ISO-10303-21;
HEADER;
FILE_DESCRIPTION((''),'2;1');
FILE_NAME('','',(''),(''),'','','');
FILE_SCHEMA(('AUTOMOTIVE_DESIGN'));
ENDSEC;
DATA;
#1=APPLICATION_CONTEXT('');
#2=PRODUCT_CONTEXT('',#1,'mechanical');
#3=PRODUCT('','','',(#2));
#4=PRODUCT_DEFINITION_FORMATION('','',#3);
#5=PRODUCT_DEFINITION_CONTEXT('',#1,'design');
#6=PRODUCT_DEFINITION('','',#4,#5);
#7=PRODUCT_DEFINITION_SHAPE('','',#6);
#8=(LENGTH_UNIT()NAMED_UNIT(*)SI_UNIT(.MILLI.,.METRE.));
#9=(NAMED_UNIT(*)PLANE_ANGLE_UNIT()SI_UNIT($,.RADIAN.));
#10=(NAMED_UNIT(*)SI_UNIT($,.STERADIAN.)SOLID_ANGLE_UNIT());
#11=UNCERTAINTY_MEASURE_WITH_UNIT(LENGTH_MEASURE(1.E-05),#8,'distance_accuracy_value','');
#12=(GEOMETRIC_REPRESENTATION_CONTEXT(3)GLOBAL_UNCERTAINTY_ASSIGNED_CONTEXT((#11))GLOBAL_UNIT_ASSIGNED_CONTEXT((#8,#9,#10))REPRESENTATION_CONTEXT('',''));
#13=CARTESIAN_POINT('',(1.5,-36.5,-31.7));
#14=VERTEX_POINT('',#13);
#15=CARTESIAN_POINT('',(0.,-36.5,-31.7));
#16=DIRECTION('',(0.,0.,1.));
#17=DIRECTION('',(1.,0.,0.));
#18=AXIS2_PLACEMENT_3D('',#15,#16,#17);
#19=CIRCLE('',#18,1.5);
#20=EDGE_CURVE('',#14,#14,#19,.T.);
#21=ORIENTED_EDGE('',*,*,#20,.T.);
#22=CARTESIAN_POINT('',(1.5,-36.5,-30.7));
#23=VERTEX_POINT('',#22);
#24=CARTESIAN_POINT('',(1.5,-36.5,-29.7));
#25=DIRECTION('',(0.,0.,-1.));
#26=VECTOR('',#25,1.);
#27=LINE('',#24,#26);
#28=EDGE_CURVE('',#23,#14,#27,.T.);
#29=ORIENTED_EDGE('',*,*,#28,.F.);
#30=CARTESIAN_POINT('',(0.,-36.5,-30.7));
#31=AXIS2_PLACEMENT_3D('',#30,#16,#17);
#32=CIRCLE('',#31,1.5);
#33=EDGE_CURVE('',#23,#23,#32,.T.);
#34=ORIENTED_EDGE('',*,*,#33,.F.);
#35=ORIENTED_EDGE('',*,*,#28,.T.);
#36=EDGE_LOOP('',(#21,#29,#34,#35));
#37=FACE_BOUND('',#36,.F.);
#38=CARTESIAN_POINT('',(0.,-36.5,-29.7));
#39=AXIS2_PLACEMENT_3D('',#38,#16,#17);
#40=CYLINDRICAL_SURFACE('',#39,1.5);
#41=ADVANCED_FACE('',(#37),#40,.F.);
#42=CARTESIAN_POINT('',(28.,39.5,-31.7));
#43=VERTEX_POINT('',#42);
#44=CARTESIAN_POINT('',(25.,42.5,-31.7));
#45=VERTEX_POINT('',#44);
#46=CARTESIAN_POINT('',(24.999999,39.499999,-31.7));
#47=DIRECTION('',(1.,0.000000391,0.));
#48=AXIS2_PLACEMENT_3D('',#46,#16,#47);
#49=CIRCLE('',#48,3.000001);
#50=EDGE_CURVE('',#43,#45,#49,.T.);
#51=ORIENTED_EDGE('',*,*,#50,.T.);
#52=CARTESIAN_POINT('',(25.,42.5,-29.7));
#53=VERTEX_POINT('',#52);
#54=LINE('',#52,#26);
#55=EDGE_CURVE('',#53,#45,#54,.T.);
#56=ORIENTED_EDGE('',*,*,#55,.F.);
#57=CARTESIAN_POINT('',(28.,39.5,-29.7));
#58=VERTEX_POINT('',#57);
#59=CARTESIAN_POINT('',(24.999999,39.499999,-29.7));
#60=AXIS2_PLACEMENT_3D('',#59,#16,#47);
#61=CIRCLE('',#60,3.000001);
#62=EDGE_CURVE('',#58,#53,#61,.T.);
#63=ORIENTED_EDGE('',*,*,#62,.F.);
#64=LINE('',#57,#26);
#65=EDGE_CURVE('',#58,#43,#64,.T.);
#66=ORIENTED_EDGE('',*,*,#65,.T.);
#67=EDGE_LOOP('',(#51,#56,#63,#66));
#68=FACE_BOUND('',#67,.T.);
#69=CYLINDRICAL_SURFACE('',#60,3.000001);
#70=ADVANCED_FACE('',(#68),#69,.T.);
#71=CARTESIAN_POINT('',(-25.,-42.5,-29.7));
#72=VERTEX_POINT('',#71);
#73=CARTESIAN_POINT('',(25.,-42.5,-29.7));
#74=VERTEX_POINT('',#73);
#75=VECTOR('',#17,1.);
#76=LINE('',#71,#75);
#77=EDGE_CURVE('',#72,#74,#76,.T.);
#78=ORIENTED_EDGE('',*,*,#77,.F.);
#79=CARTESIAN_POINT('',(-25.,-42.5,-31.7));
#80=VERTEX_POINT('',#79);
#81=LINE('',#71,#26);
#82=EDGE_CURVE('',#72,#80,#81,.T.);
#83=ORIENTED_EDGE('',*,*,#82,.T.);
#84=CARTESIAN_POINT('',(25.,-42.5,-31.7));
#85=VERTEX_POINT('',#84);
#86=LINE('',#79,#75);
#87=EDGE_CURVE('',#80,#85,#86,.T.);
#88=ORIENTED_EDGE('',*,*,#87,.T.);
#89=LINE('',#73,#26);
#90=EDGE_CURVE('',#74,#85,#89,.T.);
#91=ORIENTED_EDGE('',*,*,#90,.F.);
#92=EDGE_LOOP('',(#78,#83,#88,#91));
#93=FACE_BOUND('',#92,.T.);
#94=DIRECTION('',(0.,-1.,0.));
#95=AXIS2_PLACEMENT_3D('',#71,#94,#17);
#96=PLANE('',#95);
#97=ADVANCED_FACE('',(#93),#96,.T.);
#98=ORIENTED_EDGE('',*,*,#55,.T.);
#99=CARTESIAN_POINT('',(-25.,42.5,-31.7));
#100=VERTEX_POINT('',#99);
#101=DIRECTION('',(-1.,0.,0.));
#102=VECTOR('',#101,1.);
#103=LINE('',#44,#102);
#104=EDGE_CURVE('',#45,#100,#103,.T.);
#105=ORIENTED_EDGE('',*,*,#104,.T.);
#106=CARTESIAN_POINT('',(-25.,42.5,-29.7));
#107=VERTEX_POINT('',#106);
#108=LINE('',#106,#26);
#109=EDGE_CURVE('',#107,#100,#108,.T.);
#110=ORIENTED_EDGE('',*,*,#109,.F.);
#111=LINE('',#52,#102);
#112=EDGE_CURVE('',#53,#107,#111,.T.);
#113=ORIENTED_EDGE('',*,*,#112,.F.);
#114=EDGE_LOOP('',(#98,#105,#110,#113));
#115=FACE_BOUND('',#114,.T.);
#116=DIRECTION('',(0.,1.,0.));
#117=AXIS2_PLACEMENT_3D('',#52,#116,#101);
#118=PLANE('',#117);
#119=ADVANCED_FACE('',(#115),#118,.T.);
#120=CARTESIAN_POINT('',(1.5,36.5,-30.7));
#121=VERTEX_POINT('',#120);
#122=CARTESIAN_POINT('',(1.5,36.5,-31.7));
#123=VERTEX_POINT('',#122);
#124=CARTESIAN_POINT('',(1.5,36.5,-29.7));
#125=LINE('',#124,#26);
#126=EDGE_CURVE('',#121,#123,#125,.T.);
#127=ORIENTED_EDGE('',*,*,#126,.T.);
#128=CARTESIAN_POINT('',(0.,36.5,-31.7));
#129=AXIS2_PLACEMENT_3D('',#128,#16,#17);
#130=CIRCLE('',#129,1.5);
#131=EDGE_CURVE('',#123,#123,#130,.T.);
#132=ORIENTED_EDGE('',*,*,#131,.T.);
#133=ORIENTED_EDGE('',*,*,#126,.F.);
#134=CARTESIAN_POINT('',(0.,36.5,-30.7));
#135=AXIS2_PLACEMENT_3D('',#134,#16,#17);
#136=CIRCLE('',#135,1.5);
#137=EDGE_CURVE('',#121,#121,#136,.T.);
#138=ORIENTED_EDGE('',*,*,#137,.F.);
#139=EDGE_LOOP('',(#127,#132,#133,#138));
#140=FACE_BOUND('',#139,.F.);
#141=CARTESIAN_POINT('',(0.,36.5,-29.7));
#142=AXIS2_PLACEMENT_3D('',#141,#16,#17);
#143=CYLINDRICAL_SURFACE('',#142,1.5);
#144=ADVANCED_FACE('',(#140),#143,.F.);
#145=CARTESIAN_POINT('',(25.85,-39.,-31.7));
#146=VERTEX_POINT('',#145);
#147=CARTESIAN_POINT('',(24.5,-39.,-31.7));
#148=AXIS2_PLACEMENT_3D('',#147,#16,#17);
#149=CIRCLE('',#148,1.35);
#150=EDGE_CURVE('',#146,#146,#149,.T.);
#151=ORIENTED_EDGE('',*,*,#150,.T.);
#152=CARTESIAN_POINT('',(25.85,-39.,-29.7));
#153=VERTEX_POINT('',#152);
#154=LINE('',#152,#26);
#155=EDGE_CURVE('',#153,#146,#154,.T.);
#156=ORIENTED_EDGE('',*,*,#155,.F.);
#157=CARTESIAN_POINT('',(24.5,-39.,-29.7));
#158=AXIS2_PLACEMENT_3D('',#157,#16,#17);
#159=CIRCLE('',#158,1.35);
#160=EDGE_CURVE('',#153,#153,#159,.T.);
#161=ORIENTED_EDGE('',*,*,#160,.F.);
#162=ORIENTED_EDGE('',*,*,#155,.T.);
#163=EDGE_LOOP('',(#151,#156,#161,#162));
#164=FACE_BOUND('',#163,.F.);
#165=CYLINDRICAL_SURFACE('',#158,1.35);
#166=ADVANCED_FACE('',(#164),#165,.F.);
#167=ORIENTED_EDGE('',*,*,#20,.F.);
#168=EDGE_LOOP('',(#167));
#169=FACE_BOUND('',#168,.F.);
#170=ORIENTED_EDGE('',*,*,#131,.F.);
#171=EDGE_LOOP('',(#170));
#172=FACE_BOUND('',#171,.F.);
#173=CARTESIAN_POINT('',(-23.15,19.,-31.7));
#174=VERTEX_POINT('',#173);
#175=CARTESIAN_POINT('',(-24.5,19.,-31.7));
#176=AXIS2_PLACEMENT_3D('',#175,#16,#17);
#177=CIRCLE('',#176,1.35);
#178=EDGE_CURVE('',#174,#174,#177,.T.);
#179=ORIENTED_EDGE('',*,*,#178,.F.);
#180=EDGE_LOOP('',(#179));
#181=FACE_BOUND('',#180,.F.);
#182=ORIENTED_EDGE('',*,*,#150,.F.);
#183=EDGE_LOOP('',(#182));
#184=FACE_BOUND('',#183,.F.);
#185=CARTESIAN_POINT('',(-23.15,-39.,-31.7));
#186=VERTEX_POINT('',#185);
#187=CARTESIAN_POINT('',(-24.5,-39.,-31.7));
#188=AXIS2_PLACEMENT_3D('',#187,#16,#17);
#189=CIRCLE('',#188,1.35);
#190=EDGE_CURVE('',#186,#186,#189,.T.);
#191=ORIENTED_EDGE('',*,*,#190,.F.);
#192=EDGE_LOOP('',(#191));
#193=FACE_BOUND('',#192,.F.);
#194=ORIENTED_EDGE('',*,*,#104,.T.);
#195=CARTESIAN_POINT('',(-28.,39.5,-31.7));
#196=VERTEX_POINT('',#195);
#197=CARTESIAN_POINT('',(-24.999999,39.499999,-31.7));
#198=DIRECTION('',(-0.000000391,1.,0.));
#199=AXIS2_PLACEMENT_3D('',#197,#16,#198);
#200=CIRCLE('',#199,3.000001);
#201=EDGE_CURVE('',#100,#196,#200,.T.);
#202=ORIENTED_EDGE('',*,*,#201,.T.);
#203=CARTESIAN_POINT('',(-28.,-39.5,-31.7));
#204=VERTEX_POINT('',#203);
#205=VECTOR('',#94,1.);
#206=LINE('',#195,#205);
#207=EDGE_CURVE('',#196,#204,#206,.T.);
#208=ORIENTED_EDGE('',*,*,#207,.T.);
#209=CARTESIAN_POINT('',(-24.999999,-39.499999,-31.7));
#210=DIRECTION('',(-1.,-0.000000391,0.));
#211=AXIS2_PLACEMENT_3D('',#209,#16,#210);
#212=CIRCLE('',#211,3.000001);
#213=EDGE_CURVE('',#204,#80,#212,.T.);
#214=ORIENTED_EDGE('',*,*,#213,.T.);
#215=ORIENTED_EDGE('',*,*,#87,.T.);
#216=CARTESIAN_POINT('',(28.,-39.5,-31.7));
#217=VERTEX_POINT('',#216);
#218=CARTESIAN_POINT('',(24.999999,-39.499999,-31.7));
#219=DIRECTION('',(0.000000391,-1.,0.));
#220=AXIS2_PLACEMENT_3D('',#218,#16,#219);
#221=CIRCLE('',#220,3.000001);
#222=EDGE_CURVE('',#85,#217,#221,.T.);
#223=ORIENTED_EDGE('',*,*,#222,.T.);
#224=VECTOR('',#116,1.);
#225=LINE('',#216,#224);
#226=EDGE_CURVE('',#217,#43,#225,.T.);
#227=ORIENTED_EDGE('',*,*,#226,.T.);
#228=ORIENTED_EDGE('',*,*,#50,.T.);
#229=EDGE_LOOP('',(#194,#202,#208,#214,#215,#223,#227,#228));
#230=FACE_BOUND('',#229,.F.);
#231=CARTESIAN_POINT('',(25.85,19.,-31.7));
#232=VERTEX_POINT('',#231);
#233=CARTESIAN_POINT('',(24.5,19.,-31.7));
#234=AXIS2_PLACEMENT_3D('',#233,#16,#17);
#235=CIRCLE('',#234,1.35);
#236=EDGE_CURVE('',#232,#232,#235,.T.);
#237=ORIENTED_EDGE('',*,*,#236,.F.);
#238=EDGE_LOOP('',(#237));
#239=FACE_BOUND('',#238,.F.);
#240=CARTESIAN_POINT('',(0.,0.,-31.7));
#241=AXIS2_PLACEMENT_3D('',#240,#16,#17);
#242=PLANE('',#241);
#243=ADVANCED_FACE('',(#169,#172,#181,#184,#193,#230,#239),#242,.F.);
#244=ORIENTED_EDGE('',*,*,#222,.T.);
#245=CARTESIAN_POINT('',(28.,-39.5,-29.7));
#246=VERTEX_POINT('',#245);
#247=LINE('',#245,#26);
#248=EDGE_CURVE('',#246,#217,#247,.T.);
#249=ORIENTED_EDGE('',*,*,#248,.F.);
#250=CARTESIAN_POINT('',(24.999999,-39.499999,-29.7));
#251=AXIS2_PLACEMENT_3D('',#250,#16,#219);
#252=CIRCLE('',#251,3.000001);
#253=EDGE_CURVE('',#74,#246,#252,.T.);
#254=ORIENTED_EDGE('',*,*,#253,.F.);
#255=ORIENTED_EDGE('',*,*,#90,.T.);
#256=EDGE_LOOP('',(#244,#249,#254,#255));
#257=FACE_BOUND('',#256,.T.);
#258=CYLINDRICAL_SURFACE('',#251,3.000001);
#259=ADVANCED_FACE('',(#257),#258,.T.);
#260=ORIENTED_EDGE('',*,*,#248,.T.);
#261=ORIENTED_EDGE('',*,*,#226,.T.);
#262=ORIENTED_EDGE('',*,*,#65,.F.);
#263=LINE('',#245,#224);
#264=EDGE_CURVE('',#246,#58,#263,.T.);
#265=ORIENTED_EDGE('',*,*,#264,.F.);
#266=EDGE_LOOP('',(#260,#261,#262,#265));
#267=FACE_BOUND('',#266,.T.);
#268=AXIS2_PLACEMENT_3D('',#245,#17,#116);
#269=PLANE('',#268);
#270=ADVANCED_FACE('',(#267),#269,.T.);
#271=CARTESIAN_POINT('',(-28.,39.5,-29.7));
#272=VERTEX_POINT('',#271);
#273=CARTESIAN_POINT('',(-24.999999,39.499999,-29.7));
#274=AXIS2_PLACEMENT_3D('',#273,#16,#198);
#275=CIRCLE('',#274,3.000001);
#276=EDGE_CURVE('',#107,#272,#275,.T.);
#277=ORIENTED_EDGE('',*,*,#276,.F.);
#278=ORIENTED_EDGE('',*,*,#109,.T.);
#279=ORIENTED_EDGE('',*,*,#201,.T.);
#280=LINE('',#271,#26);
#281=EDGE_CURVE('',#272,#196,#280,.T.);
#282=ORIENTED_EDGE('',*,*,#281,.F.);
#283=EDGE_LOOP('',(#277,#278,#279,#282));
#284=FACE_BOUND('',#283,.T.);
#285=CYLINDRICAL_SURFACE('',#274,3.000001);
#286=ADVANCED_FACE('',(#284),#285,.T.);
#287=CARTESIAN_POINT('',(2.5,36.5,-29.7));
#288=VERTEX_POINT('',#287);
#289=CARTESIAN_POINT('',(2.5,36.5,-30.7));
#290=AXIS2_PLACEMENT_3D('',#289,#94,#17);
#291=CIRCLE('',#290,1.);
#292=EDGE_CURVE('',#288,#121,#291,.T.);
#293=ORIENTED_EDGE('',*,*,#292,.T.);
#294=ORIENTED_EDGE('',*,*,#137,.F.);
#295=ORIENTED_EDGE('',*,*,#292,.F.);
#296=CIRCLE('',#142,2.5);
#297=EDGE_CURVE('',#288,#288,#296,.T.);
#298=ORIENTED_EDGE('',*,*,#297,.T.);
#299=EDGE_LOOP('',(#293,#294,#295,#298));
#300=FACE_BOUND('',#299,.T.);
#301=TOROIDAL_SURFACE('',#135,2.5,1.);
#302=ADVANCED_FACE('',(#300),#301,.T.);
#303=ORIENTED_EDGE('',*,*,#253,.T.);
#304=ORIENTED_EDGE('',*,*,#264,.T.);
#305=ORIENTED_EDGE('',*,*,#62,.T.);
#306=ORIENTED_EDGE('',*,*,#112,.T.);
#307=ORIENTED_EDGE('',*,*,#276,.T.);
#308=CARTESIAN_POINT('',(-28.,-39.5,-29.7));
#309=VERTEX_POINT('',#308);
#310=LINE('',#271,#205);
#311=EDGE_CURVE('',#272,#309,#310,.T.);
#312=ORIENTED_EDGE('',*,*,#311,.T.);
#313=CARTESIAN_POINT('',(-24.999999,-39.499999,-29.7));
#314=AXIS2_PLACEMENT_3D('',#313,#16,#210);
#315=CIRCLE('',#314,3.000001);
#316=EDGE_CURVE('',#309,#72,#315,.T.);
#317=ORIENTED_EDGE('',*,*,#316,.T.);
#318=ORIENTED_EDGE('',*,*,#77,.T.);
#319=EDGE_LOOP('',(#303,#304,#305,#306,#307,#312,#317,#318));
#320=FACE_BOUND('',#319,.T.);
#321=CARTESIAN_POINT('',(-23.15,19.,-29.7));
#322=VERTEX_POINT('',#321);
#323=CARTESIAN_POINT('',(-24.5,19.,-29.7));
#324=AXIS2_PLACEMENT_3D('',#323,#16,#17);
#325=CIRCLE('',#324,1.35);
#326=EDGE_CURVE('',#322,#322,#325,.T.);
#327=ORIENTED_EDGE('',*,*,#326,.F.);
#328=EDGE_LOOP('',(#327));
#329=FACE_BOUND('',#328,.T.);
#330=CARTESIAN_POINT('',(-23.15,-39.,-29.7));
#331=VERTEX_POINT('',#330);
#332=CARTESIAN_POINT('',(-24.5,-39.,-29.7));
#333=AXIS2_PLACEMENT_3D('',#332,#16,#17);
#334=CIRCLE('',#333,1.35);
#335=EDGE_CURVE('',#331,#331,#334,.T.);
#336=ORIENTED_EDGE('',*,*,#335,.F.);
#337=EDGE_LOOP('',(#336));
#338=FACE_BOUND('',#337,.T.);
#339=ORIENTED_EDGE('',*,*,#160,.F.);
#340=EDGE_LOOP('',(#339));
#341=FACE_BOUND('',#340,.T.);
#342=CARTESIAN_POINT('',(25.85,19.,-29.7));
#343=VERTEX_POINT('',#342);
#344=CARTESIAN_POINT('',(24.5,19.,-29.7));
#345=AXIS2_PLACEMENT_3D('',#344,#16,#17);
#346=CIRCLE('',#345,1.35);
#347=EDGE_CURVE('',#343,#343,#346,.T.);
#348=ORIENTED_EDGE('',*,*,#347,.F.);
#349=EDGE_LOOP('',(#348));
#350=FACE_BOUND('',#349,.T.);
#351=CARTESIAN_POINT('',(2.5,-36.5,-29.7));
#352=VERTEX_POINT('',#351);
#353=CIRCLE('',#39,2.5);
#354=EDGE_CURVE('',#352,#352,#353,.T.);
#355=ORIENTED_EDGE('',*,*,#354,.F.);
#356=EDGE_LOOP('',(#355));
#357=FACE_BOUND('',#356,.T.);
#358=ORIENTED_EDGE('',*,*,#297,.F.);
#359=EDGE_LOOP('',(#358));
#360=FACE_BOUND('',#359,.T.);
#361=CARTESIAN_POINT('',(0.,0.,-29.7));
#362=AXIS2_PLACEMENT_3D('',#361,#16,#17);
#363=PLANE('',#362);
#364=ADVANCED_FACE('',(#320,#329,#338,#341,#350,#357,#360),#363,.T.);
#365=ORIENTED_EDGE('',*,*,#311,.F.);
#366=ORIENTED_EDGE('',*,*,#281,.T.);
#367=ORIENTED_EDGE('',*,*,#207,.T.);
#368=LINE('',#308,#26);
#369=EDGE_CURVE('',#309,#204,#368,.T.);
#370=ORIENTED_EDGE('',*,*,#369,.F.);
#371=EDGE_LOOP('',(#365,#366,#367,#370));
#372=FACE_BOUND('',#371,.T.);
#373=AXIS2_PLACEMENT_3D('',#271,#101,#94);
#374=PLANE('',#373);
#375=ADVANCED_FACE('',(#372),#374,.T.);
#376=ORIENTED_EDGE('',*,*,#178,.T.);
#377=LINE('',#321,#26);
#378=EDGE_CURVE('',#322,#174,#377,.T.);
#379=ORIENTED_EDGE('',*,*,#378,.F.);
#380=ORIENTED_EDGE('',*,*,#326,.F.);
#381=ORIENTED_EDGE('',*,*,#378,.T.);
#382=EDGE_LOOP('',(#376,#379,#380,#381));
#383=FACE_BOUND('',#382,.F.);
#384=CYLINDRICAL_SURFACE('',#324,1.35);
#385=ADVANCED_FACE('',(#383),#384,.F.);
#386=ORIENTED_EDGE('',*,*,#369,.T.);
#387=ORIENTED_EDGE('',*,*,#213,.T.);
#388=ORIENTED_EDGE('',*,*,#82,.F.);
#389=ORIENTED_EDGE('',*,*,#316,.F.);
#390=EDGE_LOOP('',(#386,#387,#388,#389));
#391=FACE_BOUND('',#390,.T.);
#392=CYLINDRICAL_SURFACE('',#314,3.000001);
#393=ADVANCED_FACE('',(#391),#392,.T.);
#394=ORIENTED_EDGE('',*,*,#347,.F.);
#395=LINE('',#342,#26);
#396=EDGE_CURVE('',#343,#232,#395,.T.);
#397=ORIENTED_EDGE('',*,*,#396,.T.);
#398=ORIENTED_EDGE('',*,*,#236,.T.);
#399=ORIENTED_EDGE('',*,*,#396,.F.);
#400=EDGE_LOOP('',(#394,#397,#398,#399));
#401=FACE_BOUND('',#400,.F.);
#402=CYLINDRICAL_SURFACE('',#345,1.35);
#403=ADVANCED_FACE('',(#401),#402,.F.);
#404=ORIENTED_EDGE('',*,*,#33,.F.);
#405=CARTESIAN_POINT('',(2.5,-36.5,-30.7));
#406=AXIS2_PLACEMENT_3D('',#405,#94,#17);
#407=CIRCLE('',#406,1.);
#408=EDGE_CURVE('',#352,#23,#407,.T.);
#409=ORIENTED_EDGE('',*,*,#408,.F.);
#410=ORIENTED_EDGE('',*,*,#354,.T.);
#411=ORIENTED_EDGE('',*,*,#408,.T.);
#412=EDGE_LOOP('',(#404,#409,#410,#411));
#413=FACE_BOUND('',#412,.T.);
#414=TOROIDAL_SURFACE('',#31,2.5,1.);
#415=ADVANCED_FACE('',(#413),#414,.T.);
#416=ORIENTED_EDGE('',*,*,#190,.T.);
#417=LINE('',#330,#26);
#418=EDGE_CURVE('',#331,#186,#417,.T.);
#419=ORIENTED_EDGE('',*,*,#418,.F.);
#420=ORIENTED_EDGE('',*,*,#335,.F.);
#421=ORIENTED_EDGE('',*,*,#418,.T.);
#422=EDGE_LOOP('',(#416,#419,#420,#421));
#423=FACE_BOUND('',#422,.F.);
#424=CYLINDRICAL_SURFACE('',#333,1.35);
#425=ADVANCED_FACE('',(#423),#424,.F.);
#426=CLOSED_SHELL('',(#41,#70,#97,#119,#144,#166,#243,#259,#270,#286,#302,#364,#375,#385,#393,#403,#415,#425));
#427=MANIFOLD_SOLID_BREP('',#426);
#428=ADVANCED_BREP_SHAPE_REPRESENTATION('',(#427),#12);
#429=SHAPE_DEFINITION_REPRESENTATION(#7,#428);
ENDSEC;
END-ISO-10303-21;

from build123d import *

# Parameters (mm, degrees)
SKETCH010_R     = 1.35
PAD005_DEPTH    = 2
SKETCH011_R     = 1.5
POCKET003_DEPTH = 2.001
FILLET003_R     = 1


with BuildPart() as part:
    # Sketch010 → Pad005 (new body)
    with BuildSketch(Plane.XY):
        with BuildLine():
            Line((-28, 39.5), (-28, -39.5))
            ThreePointArc((-28, -39.5), (-27.12132, -41.62132), (-25, -42.5))
            Line((-25, -42.5), (25, -42.5))
            ThreePointArc((25, -42.5), (27.12132, -41.62132), (28, -39.5))
            Line((28, -39.5), (28, 39.5))
            ThreePointArc((28, 39.5), (27.12132, 41.62132), (25, 42.5))
            Line((25, 42.5), (-25, 42.5))
            ThreePointArc((-25, 42.5), (-27.12132, 41.62132), (-28, 39.5))
        make_face()
        with Locations((-24.5, 19)):
            Circle(SKETCH010_R, mode=Mode.SUBTRACT)
        with Locations((24.5, 19)):
            Circle(SKETCH010_R, mode=Mode.SUBTRACT)
        with Locations((24.5, -39)):
            Circle(SKETCH010_R, mode=Mode.SUBTRACT)
        with Locations((-24.5, -39)):
            Circle(SKETCH010_R, mode=Mode.SUBTRACT)
    extrude(amount=-PAD005_DEPTH)

    # Sketch011 (on Face13 of Pad005) → Pocket003 (cut, through all)
    with BuildSketch(Plane.XY):
        with Locations((0, 36.5)):
            Circle(SKETCH011_R)
        with Locations((0, -36.5)):
            Circle(SKETCH011_R)
    extrude(amount=-POCKET003_DEPTH, mode=Mode.SUBTRACT)

    # Fillet003
    fillet003_edges = [part.edges().sort_by_distance(p)[0] for p in [
        (-1.5, 36.5, 0),
        (-1.5, -36.5, 0),
    ]]
    fillet(fillet003_edges, radius=FILLET003_R)


with BuildPart() as part_1:
    # Body005 placement: moved
    add(part.part.moved(Location((0, 0, -29.7))))


solid = part_1.part
